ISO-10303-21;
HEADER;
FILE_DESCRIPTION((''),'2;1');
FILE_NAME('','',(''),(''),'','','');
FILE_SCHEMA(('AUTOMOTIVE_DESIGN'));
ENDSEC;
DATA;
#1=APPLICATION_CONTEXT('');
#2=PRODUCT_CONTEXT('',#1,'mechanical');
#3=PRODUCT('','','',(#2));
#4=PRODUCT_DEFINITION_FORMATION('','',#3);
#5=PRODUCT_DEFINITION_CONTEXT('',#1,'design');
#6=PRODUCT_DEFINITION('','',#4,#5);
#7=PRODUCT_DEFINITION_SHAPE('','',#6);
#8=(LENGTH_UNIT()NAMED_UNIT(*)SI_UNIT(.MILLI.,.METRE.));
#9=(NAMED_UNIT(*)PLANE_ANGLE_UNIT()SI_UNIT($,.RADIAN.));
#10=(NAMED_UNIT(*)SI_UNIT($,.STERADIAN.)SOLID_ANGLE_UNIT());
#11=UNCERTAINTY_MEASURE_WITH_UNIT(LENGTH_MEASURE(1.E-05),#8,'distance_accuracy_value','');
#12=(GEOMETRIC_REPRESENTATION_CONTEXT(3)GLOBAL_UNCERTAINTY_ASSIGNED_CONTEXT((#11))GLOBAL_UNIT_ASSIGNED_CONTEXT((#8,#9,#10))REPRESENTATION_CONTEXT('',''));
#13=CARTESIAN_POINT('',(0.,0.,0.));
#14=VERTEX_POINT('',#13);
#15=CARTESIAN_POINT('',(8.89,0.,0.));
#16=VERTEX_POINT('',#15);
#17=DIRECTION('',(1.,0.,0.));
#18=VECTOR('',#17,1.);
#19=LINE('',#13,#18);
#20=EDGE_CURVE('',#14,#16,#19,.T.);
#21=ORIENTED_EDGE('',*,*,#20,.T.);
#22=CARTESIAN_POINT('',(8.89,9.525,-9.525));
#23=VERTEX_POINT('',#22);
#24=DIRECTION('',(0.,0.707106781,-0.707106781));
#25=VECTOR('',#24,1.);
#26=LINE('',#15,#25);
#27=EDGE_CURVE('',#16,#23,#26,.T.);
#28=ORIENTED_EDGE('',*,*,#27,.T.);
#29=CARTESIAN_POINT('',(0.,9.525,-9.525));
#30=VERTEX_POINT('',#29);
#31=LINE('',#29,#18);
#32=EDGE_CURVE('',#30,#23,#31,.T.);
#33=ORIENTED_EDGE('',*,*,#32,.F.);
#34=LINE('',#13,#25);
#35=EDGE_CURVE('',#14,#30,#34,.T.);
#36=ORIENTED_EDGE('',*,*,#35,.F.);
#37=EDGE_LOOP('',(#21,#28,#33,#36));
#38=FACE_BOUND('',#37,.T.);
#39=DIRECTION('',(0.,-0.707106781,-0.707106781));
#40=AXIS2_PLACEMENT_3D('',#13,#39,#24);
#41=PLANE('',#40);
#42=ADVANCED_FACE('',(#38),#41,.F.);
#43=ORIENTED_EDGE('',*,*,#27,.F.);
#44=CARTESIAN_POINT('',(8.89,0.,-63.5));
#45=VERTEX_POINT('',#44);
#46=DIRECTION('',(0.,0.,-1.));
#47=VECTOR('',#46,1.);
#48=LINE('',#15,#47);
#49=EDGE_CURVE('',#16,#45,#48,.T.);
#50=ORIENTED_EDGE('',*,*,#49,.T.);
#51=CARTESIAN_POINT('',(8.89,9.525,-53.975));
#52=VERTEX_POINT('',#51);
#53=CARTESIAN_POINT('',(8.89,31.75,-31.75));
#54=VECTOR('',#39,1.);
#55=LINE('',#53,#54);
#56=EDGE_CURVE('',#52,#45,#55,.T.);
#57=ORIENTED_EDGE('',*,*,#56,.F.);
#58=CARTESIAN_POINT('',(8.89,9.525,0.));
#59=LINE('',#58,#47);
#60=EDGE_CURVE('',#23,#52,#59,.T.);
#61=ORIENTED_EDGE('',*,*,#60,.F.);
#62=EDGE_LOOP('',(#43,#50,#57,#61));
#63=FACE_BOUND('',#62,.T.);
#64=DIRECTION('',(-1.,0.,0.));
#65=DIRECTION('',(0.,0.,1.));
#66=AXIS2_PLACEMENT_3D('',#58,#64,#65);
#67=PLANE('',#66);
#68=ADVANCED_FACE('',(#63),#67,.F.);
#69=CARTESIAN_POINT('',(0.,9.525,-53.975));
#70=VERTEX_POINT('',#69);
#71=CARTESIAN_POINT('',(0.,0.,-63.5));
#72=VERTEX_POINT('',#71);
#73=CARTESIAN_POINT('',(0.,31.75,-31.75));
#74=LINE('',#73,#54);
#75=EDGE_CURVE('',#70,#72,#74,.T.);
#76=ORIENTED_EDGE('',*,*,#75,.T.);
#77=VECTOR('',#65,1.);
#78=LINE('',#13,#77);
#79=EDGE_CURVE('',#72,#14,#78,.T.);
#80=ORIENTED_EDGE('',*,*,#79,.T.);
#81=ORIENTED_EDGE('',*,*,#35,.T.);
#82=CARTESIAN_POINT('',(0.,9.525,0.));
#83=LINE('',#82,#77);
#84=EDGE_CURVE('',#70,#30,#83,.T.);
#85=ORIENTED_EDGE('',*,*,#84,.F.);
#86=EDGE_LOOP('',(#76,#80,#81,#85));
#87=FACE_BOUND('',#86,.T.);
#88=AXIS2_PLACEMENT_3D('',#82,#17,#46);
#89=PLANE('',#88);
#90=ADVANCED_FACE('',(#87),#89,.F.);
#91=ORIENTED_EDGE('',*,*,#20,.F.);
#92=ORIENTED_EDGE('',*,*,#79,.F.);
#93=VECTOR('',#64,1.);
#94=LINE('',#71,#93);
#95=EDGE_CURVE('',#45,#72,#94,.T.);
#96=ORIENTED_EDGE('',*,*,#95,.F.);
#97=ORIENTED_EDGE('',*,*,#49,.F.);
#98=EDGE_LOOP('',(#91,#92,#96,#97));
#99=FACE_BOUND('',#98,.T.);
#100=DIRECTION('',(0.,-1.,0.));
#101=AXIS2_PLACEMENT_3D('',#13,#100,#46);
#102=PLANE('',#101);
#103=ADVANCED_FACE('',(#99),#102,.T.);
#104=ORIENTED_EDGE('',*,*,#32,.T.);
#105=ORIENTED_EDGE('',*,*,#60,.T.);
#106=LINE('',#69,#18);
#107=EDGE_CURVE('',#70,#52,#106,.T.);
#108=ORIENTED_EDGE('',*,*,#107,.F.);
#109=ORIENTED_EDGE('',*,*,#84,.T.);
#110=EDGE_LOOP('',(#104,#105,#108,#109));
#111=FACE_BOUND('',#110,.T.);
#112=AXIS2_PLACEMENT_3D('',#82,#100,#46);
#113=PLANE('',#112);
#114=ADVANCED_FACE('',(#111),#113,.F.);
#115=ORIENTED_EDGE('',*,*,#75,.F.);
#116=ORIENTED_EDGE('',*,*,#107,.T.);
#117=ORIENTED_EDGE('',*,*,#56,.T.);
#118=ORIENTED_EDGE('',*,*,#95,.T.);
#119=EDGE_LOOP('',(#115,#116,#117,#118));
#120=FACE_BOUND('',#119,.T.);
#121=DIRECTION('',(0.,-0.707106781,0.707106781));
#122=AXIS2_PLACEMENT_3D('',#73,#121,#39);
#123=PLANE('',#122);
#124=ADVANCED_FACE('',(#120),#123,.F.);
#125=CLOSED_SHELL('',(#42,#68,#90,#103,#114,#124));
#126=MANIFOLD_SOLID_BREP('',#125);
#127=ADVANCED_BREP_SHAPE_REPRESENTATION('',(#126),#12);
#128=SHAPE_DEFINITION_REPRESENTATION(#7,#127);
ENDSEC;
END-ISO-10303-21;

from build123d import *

# Parameters (mm, degrees)
SKETCH1_W           = 8.89
SKETCH1_H           = 63.5
BOSS_EXTRUDE1_DEPTH = 9.525
CUT_EXTRUDE1_DEPTH  = 9.89


with BuildPart() as part:
    # Sketch1 → Boss-Extrude1 (new body)
    with BuildSketch(Plane(origin=(0, 0, 0), x_dir=(1, 0, 0), z_dir=(0, 1, 0))):
        with Locations((4.445, 31.75)):
            Rectangle(SKETCH1_W, SKETCH1_H)
    extrude(amount=BOSS_EXTRUDE1_DEPTH)

    # Sketch2 → Cut-Extrude1 (cut, through all)
    with BuildSketch(Plane(origin=(8.89, 0, 0), x_dir=(0, 0, -1), z_dir=(1, 0, 0))):
        Polygon((0, 9.525), (0, 0), (9.525, 9.525), align=None)
        Polygon((63.5, 9.525), (53.975, 9.525), (63.5, 0), align=None)
    extrude(amount=-CUT_EXTRUDE1_DEPTH, mode=Mode.SUBTRACT)


solid = part.part
